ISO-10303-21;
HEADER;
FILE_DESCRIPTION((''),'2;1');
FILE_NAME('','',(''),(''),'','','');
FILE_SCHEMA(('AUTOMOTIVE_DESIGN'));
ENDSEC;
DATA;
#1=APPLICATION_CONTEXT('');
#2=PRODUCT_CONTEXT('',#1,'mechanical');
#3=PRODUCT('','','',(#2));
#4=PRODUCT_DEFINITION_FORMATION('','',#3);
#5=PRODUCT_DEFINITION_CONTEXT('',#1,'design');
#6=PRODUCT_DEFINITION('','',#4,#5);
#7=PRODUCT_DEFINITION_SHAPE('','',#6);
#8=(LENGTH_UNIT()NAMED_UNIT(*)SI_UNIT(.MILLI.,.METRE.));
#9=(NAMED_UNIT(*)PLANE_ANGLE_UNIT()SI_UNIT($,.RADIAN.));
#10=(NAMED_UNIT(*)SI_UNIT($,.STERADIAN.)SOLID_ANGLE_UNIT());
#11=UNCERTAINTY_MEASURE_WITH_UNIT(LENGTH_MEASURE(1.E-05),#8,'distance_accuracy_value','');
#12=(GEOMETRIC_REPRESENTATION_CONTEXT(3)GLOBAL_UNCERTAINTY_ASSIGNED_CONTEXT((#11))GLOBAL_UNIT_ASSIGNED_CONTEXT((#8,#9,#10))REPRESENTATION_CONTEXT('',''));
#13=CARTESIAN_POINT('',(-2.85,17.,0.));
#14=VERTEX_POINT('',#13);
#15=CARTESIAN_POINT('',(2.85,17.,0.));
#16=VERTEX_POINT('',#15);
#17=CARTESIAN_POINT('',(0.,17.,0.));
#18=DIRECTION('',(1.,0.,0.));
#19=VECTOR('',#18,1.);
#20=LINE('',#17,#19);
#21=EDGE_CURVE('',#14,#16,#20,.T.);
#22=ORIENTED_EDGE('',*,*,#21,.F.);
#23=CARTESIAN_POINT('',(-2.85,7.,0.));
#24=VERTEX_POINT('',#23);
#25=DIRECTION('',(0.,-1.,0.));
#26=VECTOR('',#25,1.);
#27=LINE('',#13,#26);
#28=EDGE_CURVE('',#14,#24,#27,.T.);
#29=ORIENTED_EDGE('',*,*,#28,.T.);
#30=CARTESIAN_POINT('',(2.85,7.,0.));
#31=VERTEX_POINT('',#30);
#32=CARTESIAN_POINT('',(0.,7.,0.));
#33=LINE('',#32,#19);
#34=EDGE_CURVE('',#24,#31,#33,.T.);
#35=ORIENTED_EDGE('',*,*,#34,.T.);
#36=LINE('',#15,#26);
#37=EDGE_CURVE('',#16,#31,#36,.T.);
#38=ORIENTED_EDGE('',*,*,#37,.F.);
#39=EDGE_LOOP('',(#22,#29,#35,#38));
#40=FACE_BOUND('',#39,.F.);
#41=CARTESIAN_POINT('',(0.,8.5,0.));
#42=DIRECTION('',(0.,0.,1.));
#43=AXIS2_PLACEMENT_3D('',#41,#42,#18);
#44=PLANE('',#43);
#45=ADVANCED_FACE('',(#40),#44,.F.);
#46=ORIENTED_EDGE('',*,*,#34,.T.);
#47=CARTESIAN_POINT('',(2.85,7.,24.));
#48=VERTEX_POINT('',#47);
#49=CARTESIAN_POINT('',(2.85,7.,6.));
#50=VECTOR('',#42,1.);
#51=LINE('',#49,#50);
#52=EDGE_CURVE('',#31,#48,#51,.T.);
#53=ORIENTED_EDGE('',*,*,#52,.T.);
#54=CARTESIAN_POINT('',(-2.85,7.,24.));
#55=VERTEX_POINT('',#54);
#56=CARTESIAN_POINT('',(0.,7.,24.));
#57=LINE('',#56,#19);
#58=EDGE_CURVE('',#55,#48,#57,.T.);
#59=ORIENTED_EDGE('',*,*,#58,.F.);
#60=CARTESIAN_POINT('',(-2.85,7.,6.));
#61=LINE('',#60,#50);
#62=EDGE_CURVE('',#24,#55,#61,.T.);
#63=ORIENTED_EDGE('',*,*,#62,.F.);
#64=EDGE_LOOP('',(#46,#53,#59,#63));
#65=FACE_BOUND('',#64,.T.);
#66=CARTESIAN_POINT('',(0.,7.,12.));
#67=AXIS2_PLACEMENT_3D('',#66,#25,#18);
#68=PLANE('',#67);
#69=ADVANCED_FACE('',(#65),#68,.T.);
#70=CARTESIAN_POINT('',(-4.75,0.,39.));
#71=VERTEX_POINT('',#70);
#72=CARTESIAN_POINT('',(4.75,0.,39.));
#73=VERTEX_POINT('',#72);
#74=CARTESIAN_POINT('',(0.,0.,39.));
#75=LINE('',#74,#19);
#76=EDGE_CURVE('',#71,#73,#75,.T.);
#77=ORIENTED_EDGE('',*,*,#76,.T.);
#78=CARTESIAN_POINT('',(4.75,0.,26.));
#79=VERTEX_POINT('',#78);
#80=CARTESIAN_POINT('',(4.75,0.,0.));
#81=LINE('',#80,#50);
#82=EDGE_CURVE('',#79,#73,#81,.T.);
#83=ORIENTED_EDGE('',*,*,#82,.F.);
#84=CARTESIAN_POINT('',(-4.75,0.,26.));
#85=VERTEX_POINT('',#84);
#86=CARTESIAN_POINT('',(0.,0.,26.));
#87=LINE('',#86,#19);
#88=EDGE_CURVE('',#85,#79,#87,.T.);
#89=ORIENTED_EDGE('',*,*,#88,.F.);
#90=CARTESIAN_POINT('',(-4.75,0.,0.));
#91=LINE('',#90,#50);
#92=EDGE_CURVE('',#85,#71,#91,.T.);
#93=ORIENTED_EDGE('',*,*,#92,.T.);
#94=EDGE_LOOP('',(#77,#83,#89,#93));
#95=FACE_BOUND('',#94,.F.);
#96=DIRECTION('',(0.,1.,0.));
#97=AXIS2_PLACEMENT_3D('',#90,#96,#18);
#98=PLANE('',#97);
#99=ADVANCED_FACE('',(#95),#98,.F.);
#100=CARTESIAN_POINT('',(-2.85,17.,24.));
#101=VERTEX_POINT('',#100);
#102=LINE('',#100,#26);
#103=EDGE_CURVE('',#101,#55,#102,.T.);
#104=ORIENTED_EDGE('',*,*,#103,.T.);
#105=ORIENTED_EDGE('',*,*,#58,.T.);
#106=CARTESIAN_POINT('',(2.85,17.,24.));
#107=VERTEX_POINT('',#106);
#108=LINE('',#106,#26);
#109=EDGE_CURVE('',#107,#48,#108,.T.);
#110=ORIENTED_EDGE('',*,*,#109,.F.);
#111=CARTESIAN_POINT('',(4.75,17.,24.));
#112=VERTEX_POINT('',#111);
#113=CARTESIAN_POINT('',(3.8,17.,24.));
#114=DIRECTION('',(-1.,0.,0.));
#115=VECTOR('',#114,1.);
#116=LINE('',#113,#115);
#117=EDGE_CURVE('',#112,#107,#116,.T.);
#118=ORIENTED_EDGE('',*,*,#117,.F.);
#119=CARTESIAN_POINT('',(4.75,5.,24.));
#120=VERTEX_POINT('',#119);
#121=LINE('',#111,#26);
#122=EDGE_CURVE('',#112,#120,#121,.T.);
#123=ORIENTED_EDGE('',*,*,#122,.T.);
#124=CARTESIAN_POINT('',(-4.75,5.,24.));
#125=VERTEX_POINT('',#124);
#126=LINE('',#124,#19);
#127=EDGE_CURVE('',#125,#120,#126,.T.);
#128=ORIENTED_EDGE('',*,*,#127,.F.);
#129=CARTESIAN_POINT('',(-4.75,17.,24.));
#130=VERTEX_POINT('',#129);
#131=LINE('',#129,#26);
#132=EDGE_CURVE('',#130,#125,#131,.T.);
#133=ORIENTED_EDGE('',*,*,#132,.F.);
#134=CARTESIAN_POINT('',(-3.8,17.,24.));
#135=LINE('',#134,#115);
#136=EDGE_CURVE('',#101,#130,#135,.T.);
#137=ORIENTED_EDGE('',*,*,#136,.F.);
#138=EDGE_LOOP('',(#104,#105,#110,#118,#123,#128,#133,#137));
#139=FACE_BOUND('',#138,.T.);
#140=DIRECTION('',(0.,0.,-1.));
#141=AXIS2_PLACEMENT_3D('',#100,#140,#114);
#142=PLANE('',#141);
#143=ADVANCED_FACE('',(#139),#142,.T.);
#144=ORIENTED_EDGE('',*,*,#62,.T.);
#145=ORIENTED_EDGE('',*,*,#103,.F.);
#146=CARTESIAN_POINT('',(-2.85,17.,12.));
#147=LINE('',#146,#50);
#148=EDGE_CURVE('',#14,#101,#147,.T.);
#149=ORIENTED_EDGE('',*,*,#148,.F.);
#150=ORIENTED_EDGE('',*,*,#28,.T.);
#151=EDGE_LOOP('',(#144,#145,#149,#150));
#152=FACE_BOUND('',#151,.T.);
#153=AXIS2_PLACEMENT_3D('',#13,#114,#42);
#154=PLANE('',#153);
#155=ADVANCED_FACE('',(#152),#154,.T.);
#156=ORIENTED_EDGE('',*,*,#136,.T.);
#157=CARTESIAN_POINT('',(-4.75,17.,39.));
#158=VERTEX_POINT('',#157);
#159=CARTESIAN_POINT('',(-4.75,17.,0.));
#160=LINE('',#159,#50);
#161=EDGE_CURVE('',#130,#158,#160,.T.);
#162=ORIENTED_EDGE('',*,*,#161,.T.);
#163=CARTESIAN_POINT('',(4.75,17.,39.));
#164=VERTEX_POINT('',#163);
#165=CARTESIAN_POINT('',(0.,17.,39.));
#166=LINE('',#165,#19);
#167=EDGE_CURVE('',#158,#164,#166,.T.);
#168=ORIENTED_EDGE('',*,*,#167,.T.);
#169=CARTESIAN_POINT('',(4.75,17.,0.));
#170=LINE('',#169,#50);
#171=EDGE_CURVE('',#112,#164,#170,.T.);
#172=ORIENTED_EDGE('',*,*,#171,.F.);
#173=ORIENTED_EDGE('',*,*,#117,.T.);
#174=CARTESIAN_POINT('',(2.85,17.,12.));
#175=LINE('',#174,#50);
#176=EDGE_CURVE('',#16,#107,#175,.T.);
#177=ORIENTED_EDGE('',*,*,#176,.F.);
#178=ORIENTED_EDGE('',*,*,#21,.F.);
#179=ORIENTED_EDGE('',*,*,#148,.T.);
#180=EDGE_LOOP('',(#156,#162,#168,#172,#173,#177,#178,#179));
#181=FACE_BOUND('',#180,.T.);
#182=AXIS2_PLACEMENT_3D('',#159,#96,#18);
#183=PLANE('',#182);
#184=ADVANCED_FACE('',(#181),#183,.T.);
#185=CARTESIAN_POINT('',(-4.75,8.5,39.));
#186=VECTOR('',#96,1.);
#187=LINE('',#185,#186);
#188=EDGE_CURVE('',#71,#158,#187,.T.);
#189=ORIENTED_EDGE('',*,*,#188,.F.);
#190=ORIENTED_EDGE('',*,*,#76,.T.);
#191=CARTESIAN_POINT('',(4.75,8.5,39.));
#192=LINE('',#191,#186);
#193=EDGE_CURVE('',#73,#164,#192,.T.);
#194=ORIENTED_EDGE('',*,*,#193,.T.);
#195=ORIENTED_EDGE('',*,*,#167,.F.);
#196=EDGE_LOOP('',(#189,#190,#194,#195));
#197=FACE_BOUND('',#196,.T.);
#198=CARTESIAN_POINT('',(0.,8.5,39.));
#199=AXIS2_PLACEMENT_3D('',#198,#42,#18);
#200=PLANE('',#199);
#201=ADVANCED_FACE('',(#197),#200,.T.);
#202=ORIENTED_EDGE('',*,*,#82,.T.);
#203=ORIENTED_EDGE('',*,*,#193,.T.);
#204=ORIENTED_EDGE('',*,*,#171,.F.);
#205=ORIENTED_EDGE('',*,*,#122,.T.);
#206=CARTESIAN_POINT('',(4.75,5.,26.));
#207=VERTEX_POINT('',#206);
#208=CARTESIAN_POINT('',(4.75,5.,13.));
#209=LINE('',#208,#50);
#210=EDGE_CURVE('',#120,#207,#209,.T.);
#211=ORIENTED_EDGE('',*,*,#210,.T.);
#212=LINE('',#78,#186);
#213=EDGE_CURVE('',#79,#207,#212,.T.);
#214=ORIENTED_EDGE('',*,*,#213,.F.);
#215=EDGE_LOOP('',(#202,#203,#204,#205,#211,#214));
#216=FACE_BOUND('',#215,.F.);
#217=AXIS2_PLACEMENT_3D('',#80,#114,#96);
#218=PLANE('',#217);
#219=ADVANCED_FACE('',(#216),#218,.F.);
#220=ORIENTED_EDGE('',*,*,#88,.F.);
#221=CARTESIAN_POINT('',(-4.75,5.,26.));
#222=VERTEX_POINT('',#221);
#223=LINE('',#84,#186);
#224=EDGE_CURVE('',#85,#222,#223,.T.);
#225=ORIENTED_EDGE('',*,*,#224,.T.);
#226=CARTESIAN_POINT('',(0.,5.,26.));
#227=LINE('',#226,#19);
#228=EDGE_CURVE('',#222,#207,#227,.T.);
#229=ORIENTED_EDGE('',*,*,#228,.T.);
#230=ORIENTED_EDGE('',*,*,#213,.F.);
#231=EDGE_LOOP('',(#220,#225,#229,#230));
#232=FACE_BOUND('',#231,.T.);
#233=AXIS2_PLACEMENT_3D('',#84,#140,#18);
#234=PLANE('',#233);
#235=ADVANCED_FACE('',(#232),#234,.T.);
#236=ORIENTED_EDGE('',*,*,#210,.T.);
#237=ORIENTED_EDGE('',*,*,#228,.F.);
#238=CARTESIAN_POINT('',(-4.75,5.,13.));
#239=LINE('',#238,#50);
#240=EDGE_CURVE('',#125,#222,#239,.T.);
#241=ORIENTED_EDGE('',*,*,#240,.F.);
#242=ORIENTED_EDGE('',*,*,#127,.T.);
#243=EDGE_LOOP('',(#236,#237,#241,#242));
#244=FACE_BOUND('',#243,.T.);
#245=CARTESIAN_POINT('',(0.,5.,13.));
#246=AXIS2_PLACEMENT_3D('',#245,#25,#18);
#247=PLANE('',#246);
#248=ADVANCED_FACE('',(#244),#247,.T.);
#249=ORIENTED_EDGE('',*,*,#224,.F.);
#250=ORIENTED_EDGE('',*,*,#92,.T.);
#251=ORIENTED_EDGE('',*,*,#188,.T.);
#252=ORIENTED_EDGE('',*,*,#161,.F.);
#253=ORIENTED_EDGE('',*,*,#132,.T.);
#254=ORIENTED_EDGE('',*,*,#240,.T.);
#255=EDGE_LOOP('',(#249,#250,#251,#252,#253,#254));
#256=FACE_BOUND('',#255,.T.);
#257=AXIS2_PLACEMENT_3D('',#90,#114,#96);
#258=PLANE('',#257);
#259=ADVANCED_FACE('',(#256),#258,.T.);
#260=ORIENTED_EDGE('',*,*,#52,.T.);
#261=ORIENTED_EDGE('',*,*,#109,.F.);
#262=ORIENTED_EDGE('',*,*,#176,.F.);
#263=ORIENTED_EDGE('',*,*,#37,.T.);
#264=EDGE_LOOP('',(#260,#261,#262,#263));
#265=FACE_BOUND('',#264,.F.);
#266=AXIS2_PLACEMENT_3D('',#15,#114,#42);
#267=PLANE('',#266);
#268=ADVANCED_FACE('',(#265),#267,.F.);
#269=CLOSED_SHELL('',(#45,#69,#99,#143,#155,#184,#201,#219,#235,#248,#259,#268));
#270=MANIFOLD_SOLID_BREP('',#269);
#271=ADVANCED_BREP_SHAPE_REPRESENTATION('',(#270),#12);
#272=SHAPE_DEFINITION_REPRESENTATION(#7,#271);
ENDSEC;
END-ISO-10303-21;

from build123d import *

# Parameters (mm, degrees)
SKETCH_W        = 9.5
SKETCH_H        = 17
PAD_DEPTH       = 39
SKETCH001_W     = 9.5
SKETCH001_H     = 26
POCKET_DEPTH    = 5
SKETCH002_W     = 1.9
SKETCH002_H     = 24
POCKET001_DEPTH = 17
COPYSKETCH003_W = 9.5
COPYSKETCH003_H = 24
POCKET002_DEPTH = 7


with BuildPart() as part:
    # Sketch → Pad (new body)
    with BuildSketch(Plane.XY):
        with Locations((0, 8.5)):
            Rectangle(SKETCH_W, SKETCH_H)
    extrude(amount=PAD_DEPTH)

    # Sketch001 (on Face3 of Pad) → Pocket (cut)
    with BuildSketch(Plane.XZ):
        with Locations((0, 13)):
            Rectangle(SKETCH001_W, SKETCH001_H)
    extrude(amount=-POCKET_DEPTH, mode=Mode.SUBTRACT)

    # Sketch002 (on Face1 of Pocket) → Pocket001 (cut)
    with BuildSketch(Plane(origin=(0, 17, 0), x_dir=(-1, 0, 0), z_dir=(0, 1, 0))):
        with Locations((-3.8, 12)):
            Rectangle(SKETCH002_W, SKETCH002_H)
        with Locations((3.8, 12)):
            Rectangle(SKETCH002_W, SKETCH002_H)
    extrude(amount=-POCKET001_DEPTH, mode=Mode.SUBTRACT)

    # CopySketch003 → Pocket002 (cut)
    with BuildSketch(Plane.XZ):
        with Locations((0, 12)):
            Rectangle(COPYSKETCH003_W, COPYSKETCH003_H)
    extrude(amount=-POCKET002_DEPTH, mode=Mode.SUBTRACT)


solid = part.part
